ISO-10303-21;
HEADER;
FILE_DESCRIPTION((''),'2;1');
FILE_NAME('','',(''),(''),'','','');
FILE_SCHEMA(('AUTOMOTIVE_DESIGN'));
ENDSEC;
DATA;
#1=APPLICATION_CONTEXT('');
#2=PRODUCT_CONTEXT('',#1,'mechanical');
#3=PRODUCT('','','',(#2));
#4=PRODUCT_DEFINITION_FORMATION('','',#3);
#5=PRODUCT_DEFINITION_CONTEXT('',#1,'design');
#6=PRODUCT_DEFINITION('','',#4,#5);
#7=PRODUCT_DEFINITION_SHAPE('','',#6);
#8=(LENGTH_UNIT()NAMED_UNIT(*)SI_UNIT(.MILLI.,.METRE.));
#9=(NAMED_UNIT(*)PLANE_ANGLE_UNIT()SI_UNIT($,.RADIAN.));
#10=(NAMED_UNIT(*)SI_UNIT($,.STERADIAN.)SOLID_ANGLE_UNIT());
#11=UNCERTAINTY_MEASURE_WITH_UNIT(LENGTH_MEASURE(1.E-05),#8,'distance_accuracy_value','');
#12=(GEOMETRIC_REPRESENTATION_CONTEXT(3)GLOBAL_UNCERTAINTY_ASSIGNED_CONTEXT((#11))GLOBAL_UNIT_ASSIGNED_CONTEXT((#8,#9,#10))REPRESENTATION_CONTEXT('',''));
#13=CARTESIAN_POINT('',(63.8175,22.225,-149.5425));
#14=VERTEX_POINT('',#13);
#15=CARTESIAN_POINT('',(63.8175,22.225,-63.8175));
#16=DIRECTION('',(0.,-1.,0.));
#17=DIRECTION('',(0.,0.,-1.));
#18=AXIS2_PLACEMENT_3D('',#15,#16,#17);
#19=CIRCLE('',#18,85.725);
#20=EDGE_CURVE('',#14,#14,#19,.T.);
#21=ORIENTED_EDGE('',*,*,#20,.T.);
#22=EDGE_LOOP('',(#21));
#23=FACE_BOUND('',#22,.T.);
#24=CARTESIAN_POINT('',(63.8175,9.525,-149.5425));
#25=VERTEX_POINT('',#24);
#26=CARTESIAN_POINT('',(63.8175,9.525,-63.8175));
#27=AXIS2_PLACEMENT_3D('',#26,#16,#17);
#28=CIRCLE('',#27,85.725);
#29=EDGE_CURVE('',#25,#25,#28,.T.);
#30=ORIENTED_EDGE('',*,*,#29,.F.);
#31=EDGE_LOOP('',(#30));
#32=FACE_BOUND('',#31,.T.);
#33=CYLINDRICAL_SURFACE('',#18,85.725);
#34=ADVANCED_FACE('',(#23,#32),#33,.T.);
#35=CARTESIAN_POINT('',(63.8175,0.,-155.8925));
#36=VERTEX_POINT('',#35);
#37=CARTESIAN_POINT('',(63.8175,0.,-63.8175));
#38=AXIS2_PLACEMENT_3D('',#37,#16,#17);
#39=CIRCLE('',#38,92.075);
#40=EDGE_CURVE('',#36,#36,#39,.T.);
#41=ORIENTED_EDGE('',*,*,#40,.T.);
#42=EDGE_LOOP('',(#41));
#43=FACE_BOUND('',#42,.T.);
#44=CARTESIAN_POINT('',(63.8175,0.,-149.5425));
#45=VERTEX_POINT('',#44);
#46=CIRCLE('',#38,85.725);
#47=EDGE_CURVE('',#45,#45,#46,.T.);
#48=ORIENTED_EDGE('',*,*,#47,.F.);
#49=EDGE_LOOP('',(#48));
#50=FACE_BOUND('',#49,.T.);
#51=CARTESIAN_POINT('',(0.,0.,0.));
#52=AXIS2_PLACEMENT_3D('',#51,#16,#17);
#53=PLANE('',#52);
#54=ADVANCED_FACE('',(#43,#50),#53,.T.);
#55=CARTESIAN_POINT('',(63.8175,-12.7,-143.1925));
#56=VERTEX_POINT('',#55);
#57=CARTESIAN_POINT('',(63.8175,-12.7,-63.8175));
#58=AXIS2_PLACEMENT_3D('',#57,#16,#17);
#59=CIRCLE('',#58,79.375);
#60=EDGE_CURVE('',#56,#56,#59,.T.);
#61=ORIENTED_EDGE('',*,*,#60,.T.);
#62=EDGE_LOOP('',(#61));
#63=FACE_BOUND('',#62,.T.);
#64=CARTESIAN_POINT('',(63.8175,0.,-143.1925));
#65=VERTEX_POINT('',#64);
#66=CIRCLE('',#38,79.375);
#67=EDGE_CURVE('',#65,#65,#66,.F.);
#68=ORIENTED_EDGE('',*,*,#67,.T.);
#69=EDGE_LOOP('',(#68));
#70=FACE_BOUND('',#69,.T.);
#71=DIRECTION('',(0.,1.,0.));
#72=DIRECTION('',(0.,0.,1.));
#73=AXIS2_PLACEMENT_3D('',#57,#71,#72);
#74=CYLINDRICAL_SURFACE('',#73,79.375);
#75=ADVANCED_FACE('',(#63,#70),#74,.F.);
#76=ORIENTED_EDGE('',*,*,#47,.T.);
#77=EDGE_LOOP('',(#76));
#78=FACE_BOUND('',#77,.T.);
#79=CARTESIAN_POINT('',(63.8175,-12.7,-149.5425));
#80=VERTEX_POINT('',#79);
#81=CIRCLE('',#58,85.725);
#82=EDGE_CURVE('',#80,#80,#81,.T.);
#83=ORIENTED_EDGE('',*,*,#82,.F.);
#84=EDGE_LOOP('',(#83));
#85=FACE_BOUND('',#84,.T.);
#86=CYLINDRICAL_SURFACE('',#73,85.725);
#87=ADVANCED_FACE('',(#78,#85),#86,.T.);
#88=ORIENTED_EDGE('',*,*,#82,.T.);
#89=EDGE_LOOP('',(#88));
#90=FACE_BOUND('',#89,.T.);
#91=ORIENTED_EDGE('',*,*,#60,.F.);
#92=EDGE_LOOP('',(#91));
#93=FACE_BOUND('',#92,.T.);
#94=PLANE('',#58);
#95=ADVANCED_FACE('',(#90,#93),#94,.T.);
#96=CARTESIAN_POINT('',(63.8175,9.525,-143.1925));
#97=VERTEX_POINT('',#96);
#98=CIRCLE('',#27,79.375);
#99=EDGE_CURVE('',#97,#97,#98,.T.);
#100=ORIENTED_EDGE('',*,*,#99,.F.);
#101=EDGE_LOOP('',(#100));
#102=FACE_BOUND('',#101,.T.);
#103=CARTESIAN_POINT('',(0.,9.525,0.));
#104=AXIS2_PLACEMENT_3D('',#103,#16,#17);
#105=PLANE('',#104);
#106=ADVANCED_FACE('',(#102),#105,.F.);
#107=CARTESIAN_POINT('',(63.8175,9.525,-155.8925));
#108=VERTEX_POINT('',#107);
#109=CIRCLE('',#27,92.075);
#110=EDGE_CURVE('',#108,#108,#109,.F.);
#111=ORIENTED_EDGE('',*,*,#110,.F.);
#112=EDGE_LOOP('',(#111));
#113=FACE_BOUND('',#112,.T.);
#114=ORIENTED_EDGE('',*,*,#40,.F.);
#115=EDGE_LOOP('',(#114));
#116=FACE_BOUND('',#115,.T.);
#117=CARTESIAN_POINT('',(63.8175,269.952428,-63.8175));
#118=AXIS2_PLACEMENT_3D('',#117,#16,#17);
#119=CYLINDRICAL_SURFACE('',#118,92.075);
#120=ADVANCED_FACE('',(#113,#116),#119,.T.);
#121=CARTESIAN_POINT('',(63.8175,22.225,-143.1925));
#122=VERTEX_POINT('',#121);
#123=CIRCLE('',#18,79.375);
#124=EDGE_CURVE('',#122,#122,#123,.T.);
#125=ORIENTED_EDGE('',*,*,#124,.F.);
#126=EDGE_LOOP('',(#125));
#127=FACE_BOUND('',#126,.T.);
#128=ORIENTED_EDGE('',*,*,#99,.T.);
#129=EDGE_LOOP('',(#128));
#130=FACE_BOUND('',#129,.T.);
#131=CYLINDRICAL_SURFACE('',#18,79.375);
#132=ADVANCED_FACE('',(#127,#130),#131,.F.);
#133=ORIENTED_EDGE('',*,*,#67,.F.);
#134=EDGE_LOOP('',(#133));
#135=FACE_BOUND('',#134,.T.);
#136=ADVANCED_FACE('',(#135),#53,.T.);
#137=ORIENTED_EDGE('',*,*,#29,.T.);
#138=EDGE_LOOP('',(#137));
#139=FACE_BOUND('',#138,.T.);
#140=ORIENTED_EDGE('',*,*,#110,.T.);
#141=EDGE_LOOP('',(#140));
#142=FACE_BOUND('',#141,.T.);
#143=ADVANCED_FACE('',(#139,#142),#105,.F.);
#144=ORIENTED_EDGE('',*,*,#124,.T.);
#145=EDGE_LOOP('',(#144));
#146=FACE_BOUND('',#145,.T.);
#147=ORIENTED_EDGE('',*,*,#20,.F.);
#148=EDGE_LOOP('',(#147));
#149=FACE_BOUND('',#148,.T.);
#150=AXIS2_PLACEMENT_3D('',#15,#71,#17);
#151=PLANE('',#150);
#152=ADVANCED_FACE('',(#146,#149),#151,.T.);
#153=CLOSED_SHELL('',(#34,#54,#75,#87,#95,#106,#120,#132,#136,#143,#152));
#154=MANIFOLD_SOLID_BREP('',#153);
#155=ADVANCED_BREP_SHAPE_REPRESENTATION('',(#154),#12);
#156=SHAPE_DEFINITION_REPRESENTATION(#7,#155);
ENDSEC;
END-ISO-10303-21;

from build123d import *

# Parameters (mm, degrees)
SKETCH1_W           = 127.635
SKETCH1_H           = 127.635
BOSS_EXTRUDE1_DEPTH = 9.525
SKETCH12_R          = 92.075
BOSS_EXTRUDE2_DEPTH = 9.525
SKETCH30_R          = 85.725
SKETCH30_R_2        = 79.375
BOSS_EXTRUDE3_DEPTH = 12.7


with BuildPart() as part:
    # Sketch1 → Boss-Extrude1 (new body)
    with BuildSketch(Plane(origin=(0, 0, 0), x_dir=(1, 0, 0), z_dir=(0, 1, 0))):
        with Locations((63.8175, 63.8175)):
            Rectangle(SKETCH1_W, SKETCH1_H)
    extrude(amount=BOSS_EXTRUDE1_DEPTH)

    # Sketch12 → Boss-Extrude2 (add)
    with BuildSketch(Plane.XZ):
        with Locations(Location((63.8175, -63.8175, 0), (0, 0, 270))):
            Circle(SKETCH12_R)
    extrude(amount=-BOSS_EXTRUDE2_DEPTH)

    # Sketch30 → Boss-Extrude3 (add)
    with BuildSketch(Plane.XZ):
        with Locations(Location((63.8175, -63.8175, 0), (0, 0, 270))):
            Circle(SKETCH30_R)
        with Locations(Location((63.8175, -63.8175, 0), (0, 0, 270))):
            Circle(SKETCH30_R_2, mode=Mode.SUBTRACT)
    boss_extrude3 = extrude(amount=BOSS_EXTRUDE3_DEPTH)

    # Mirror1: Boss-Extrude3 across plane
    add(boss_extrude3.mirror(Plane.ZX.offset(4.7625)))


solid = part.part
